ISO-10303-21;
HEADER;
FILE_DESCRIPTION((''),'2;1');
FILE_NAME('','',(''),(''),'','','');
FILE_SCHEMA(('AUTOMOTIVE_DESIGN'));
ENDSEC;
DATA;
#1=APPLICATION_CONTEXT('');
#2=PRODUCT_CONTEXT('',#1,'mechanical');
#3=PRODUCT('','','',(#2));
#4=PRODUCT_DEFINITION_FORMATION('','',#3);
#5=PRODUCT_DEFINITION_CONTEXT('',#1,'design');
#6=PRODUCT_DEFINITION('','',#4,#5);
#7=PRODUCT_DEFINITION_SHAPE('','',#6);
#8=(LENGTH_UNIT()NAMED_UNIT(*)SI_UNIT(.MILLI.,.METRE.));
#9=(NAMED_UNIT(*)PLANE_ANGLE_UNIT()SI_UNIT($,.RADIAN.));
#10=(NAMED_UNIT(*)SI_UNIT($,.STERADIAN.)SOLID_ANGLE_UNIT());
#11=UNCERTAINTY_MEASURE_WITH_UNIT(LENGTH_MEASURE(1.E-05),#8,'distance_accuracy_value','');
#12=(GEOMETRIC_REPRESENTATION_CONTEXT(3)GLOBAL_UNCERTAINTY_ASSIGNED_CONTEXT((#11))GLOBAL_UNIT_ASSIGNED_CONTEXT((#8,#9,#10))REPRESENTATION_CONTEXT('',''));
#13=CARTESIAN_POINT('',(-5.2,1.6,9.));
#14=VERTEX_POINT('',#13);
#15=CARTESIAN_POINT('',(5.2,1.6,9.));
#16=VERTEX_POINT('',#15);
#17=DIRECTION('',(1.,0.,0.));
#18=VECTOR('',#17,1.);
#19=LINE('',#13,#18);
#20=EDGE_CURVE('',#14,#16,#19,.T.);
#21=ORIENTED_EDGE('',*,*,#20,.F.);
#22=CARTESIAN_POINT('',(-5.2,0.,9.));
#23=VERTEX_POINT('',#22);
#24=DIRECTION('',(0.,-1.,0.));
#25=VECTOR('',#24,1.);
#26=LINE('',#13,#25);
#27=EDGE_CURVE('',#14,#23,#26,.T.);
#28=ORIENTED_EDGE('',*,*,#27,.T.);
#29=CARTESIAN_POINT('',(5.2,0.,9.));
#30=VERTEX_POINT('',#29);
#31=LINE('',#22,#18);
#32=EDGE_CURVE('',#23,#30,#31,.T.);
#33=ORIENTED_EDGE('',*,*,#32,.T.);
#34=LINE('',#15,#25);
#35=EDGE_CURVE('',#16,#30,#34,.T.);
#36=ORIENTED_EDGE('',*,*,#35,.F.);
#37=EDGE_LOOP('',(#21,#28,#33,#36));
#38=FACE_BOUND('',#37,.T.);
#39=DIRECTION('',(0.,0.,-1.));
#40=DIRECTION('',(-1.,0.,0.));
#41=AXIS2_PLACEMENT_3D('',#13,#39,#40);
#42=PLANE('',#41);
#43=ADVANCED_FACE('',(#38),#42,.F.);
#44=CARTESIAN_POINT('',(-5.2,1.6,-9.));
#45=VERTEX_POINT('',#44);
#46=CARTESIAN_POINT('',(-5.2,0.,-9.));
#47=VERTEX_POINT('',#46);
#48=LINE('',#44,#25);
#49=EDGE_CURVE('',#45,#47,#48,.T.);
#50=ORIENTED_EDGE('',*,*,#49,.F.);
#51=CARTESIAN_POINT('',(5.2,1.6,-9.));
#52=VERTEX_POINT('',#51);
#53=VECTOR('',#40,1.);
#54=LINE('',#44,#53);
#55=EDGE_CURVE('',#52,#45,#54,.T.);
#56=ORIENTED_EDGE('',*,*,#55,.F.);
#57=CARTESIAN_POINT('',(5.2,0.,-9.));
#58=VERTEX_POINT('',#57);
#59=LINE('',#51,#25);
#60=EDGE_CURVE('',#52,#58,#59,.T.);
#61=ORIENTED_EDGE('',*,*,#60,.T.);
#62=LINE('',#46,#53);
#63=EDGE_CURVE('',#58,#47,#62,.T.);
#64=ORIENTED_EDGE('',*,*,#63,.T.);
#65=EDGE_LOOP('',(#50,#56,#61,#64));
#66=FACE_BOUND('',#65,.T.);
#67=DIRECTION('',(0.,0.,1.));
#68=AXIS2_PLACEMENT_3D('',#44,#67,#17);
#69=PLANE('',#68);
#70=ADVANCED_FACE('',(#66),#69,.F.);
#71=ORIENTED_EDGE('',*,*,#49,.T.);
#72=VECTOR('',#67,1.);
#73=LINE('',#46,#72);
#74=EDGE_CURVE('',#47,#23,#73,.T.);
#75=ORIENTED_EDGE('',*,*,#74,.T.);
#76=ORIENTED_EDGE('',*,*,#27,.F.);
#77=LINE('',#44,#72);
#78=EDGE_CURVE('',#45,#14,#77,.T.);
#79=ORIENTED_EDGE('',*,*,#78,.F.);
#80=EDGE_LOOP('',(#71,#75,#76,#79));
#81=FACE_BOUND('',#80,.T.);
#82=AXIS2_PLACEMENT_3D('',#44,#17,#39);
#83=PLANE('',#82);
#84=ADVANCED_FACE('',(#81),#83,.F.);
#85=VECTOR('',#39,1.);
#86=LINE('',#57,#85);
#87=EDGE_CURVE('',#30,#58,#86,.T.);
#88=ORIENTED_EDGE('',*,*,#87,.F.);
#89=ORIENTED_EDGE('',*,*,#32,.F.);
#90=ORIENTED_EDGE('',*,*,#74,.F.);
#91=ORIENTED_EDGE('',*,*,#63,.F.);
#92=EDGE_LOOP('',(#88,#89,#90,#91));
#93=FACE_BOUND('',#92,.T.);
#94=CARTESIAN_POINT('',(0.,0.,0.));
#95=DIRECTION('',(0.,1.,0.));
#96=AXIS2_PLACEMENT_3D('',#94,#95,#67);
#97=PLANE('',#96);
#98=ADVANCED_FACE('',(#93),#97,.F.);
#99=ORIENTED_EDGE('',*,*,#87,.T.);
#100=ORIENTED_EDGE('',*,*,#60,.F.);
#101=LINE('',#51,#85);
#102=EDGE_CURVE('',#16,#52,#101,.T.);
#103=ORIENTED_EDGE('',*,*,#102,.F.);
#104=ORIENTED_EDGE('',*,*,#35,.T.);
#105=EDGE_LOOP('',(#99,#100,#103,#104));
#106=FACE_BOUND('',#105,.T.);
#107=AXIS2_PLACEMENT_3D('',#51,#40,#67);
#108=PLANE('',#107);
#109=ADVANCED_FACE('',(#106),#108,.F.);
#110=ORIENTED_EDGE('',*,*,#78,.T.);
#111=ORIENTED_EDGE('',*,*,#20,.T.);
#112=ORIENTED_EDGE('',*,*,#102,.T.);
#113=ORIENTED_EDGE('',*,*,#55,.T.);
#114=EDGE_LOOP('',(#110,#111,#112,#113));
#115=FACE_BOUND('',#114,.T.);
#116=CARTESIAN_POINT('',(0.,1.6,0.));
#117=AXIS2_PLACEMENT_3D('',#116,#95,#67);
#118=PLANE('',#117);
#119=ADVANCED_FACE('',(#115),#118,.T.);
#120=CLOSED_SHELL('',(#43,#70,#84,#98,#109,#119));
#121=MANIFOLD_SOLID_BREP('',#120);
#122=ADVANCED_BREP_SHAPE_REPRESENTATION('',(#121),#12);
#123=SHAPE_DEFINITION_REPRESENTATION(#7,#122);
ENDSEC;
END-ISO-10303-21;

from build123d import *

# Parameters (mm, degrees)
BASES_W    = 10.4
BASES_H    = 18
BASE_DEPTH = 1.6


with BuildPart() as part:
    # BaseS → Base (new body)
    with BuildSketch(Plane(origin=(0, 0, 0), x_dir=(1, 0, 0), z_dir=(0, 1, 0))):
        Rectangle(BASES_W, BASES_H)
    extrude(amount=BASE_DEPTH)


solid = part.part
